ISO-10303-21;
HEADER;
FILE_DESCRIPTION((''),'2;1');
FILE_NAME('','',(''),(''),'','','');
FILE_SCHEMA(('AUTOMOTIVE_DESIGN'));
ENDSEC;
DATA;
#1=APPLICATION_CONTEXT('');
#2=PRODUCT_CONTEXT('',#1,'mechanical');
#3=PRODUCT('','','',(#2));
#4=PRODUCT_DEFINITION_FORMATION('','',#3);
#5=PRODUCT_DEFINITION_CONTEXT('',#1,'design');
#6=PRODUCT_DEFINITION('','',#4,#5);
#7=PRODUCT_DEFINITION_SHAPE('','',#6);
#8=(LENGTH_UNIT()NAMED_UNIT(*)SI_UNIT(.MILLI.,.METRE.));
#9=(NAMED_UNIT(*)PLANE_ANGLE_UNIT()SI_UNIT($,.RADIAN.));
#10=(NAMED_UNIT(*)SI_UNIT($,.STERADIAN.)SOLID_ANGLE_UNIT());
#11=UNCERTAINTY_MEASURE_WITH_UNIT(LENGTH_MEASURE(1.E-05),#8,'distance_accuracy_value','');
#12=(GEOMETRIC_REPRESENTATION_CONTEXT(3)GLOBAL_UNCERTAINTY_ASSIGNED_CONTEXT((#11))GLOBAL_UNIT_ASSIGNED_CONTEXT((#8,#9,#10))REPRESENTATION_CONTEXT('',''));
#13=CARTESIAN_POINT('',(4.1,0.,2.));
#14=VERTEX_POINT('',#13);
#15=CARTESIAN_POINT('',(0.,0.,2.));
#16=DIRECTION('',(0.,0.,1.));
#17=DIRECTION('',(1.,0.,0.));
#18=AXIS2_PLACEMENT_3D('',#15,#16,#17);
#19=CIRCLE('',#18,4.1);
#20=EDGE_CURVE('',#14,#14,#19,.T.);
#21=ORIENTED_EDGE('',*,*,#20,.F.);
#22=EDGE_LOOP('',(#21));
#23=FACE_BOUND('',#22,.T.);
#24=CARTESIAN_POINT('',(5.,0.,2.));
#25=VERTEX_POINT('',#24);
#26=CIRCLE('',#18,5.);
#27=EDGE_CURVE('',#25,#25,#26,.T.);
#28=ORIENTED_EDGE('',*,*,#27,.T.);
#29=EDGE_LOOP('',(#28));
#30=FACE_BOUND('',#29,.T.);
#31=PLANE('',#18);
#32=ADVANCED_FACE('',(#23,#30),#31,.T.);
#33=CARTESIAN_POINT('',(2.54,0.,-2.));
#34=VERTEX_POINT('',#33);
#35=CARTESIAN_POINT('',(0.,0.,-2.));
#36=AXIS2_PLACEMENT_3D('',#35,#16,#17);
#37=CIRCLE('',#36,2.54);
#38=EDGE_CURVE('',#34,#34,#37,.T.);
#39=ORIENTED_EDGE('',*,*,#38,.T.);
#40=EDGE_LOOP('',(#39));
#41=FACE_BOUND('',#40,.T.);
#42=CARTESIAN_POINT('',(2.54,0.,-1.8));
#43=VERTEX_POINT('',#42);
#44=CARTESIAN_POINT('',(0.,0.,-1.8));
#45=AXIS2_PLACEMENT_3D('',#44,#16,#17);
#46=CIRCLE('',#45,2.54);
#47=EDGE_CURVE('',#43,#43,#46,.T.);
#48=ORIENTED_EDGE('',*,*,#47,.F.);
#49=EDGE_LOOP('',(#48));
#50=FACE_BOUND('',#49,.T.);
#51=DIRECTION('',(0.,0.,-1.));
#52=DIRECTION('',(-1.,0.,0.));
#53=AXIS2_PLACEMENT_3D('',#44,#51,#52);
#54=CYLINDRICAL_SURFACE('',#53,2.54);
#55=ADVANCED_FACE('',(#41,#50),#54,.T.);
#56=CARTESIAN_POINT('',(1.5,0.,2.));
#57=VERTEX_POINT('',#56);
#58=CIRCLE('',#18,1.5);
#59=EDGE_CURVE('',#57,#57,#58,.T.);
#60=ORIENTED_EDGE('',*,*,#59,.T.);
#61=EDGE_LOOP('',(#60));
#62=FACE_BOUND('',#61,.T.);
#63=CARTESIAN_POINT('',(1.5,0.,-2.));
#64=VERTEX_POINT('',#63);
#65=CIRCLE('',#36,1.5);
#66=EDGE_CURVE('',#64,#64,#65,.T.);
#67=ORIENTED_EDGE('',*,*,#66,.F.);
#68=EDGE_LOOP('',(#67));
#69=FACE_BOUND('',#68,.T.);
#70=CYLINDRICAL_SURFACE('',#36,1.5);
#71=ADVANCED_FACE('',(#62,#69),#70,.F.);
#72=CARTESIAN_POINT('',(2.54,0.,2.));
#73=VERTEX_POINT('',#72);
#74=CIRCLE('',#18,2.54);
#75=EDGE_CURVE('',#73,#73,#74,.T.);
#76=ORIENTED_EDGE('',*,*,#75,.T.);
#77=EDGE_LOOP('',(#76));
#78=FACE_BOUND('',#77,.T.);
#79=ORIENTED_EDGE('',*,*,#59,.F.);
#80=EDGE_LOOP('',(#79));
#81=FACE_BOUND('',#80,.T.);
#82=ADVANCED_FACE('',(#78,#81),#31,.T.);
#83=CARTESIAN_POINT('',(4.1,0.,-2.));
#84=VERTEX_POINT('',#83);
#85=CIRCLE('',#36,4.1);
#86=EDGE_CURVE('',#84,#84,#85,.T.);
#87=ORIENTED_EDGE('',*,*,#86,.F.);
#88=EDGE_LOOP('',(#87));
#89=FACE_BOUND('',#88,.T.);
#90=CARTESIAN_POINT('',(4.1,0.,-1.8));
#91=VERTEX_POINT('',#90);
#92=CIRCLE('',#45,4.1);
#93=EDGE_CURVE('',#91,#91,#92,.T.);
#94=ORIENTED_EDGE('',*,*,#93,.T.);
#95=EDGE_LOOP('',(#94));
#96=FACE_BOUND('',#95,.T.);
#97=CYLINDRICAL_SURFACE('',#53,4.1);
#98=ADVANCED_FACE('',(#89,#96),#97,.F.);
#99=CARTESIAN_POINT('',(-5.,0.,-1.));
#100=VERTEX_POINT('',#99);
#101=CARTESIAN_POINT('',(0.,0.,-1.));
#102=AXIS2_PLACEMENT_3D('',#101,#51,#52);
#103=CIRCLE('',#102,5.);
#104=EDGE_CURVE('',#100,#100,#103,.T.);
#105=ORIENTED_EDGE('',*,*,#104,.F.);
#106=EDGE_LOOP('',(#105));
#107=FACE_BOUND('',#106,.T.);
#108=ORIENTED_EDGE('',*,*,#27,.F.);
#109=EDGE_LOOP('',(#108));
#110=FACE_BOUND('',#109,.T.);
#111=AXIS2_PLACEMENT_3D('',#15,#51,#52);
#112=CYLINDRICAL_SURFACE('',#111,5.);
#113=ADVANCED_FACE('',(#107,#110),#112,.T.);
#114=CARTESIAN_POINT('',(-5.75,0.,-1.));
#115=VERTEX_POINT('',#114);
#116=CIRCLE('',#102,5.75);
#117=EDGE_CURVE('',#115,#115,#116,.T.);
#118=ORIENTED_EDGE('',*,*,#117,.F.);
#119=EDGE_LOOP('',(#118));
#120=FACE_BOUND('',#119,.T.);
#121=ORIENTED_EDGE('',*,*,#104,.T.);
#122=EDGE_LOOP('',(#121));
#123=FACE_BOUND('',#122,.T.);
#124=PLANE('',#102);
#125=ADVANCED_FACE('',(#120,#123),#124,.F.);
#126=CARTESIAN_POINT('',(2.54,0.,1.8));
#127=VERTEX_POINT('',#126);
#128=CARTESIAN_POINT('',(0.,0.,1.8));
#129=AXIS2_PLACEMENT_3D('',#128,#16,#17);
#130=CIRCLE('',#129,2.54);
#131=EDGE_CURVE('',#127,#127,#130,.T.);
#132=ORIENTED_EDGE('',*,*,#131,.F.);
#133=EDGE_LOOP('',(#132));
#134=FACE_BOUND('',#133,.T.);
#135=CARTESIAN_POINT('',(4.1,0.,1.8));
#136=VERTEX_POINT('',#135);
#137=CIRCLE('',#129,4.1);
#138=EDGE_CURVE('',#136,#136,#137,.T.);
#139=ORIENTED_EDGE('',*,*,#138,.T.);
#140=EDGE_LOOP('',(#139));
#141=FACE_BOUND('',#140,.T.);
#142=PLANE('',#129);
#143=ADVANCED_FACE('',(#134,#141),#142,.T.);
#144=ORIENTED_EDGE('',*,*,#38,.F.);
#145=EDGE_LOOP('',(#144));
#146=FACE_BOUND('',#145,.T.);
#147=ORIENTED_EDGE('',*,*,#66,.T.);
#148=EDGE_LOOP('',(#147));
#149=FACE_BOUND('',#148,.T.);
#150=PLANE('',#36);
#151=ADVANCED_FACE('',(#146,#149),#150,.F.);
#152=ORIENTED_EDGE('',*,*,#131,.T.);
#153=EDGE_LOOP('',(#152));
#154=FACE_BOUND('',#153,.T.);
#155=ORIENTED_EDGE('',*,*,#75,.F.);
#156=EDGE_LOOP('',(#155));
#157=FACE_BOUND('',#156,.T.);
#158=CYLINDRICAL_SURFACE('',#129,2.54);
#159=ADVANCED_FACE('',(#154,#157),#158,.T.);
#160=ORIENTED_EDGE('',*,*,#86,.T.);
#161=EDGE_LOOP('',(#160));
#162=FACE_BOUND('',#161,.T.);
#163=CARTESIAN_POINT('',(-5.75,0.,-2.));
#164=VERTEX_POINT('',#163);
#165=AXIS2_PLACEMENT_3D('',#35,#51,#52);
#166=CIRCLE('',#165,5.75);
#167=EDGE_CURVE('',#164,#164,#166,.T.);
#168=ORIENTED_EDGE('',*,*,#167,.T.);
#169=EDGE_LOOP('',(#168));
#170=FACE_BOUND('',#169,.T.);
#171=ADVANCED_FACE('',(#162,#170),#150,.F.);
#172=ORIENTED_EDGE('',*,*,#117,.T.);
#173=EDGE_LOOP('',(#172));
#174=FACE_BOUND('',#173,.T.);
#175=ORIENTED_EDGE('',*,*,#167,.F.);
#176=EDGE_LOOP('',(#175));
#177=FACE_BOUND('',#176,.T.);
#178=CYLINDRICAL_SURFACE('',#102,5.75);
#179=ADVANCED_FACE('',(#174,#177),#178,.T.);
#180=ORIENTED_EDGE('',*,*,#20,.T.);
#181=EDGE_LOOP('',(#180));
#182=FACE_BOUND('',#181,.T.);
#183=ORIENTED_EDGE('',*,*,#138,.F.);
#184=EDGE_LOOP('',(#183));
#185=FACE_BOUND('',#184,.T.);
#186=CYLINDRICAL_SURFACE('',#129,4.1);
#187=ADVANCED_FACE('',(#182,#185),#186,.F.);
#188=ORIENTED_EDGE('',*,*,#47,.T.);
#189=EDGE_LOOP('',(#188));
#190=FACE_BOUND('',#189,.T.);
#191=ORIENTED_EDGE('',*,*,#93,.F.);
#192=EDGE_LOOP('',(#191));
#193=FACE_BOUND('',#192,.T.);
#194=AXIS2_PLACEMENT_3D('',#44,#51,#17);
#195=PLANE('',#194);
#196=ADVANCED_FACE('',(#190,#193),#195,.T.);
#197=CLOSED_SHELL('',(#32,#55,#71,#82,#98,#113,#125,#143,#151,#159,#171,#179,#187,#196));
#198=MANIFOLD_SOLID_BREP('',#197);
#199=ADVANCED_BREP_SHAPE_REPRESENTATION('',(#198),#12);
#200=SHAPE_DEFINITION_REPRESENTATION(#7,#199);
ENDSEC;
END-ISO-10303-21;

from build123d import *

# Parameters (mm, degrees)
SKETCH_1_R          = 5
EXTRUDE_1_DEPTH     = 2
SKETCH_4_R          = 5.75
EXTRUDE_2_DEPTH     = 1
SKETCH_2_R          = 1.5
CUT_EXTRUDE_1_DEPTH = 5
SKETCH_3_R          = 4.1
SKETCH_3_R_2        = 2.54
CUT_EXTRUDE_2_DEPTH = 0.2


with BuildPart() as part:
    # 草圖1 → 填料-伸長1 (new body, symmetric)
    with BuildSketch(Plane.XY):
        Circle(SKETCH_1_R)
    extrude(amount=EXTRUDE_1_DEPTH, both=True)

    # 草圖4 → 填料-伸長2 (add)
    with BuildSketch(Plane(origin=(0, 0, -2), x_dir=(-1, 0, 0), z_dir=(0, 0, -1))):
        Circle(SKETCH_4_R)
    extrude(amount=-EXTRUDE_2_DEPTH)

    # 草圖2 → 除料-伸長1 (cut, through all)
    with BuildSketch(Plane.XY.offset(2)):
        Circle(SKETCH_2_R)
    extrude(amount=-CUT_EXTRUDE_1_DEPTH, mode=Mode.SUBTRACT)

    # 草圖3 → 除料-伸長2 (cut)
    with BuildSketch(Plane.XY.offset(2)):
        Circle(SKETCH_3_R)
        Circle(SKETCH_3_R_2, mode=Mode.SUBTRACT)
    cut_extrude_2 = extrude(amount=-CUT_EXTRUDE_2_DEPTH, mode=Mode.SUBTRACT)

    # 鏡射1: 除料-伸長2 across plane
    add(cut_extrude_2.mirror(Plane.XY), mode=Mode.SUBTRACT)


solid = part.part
